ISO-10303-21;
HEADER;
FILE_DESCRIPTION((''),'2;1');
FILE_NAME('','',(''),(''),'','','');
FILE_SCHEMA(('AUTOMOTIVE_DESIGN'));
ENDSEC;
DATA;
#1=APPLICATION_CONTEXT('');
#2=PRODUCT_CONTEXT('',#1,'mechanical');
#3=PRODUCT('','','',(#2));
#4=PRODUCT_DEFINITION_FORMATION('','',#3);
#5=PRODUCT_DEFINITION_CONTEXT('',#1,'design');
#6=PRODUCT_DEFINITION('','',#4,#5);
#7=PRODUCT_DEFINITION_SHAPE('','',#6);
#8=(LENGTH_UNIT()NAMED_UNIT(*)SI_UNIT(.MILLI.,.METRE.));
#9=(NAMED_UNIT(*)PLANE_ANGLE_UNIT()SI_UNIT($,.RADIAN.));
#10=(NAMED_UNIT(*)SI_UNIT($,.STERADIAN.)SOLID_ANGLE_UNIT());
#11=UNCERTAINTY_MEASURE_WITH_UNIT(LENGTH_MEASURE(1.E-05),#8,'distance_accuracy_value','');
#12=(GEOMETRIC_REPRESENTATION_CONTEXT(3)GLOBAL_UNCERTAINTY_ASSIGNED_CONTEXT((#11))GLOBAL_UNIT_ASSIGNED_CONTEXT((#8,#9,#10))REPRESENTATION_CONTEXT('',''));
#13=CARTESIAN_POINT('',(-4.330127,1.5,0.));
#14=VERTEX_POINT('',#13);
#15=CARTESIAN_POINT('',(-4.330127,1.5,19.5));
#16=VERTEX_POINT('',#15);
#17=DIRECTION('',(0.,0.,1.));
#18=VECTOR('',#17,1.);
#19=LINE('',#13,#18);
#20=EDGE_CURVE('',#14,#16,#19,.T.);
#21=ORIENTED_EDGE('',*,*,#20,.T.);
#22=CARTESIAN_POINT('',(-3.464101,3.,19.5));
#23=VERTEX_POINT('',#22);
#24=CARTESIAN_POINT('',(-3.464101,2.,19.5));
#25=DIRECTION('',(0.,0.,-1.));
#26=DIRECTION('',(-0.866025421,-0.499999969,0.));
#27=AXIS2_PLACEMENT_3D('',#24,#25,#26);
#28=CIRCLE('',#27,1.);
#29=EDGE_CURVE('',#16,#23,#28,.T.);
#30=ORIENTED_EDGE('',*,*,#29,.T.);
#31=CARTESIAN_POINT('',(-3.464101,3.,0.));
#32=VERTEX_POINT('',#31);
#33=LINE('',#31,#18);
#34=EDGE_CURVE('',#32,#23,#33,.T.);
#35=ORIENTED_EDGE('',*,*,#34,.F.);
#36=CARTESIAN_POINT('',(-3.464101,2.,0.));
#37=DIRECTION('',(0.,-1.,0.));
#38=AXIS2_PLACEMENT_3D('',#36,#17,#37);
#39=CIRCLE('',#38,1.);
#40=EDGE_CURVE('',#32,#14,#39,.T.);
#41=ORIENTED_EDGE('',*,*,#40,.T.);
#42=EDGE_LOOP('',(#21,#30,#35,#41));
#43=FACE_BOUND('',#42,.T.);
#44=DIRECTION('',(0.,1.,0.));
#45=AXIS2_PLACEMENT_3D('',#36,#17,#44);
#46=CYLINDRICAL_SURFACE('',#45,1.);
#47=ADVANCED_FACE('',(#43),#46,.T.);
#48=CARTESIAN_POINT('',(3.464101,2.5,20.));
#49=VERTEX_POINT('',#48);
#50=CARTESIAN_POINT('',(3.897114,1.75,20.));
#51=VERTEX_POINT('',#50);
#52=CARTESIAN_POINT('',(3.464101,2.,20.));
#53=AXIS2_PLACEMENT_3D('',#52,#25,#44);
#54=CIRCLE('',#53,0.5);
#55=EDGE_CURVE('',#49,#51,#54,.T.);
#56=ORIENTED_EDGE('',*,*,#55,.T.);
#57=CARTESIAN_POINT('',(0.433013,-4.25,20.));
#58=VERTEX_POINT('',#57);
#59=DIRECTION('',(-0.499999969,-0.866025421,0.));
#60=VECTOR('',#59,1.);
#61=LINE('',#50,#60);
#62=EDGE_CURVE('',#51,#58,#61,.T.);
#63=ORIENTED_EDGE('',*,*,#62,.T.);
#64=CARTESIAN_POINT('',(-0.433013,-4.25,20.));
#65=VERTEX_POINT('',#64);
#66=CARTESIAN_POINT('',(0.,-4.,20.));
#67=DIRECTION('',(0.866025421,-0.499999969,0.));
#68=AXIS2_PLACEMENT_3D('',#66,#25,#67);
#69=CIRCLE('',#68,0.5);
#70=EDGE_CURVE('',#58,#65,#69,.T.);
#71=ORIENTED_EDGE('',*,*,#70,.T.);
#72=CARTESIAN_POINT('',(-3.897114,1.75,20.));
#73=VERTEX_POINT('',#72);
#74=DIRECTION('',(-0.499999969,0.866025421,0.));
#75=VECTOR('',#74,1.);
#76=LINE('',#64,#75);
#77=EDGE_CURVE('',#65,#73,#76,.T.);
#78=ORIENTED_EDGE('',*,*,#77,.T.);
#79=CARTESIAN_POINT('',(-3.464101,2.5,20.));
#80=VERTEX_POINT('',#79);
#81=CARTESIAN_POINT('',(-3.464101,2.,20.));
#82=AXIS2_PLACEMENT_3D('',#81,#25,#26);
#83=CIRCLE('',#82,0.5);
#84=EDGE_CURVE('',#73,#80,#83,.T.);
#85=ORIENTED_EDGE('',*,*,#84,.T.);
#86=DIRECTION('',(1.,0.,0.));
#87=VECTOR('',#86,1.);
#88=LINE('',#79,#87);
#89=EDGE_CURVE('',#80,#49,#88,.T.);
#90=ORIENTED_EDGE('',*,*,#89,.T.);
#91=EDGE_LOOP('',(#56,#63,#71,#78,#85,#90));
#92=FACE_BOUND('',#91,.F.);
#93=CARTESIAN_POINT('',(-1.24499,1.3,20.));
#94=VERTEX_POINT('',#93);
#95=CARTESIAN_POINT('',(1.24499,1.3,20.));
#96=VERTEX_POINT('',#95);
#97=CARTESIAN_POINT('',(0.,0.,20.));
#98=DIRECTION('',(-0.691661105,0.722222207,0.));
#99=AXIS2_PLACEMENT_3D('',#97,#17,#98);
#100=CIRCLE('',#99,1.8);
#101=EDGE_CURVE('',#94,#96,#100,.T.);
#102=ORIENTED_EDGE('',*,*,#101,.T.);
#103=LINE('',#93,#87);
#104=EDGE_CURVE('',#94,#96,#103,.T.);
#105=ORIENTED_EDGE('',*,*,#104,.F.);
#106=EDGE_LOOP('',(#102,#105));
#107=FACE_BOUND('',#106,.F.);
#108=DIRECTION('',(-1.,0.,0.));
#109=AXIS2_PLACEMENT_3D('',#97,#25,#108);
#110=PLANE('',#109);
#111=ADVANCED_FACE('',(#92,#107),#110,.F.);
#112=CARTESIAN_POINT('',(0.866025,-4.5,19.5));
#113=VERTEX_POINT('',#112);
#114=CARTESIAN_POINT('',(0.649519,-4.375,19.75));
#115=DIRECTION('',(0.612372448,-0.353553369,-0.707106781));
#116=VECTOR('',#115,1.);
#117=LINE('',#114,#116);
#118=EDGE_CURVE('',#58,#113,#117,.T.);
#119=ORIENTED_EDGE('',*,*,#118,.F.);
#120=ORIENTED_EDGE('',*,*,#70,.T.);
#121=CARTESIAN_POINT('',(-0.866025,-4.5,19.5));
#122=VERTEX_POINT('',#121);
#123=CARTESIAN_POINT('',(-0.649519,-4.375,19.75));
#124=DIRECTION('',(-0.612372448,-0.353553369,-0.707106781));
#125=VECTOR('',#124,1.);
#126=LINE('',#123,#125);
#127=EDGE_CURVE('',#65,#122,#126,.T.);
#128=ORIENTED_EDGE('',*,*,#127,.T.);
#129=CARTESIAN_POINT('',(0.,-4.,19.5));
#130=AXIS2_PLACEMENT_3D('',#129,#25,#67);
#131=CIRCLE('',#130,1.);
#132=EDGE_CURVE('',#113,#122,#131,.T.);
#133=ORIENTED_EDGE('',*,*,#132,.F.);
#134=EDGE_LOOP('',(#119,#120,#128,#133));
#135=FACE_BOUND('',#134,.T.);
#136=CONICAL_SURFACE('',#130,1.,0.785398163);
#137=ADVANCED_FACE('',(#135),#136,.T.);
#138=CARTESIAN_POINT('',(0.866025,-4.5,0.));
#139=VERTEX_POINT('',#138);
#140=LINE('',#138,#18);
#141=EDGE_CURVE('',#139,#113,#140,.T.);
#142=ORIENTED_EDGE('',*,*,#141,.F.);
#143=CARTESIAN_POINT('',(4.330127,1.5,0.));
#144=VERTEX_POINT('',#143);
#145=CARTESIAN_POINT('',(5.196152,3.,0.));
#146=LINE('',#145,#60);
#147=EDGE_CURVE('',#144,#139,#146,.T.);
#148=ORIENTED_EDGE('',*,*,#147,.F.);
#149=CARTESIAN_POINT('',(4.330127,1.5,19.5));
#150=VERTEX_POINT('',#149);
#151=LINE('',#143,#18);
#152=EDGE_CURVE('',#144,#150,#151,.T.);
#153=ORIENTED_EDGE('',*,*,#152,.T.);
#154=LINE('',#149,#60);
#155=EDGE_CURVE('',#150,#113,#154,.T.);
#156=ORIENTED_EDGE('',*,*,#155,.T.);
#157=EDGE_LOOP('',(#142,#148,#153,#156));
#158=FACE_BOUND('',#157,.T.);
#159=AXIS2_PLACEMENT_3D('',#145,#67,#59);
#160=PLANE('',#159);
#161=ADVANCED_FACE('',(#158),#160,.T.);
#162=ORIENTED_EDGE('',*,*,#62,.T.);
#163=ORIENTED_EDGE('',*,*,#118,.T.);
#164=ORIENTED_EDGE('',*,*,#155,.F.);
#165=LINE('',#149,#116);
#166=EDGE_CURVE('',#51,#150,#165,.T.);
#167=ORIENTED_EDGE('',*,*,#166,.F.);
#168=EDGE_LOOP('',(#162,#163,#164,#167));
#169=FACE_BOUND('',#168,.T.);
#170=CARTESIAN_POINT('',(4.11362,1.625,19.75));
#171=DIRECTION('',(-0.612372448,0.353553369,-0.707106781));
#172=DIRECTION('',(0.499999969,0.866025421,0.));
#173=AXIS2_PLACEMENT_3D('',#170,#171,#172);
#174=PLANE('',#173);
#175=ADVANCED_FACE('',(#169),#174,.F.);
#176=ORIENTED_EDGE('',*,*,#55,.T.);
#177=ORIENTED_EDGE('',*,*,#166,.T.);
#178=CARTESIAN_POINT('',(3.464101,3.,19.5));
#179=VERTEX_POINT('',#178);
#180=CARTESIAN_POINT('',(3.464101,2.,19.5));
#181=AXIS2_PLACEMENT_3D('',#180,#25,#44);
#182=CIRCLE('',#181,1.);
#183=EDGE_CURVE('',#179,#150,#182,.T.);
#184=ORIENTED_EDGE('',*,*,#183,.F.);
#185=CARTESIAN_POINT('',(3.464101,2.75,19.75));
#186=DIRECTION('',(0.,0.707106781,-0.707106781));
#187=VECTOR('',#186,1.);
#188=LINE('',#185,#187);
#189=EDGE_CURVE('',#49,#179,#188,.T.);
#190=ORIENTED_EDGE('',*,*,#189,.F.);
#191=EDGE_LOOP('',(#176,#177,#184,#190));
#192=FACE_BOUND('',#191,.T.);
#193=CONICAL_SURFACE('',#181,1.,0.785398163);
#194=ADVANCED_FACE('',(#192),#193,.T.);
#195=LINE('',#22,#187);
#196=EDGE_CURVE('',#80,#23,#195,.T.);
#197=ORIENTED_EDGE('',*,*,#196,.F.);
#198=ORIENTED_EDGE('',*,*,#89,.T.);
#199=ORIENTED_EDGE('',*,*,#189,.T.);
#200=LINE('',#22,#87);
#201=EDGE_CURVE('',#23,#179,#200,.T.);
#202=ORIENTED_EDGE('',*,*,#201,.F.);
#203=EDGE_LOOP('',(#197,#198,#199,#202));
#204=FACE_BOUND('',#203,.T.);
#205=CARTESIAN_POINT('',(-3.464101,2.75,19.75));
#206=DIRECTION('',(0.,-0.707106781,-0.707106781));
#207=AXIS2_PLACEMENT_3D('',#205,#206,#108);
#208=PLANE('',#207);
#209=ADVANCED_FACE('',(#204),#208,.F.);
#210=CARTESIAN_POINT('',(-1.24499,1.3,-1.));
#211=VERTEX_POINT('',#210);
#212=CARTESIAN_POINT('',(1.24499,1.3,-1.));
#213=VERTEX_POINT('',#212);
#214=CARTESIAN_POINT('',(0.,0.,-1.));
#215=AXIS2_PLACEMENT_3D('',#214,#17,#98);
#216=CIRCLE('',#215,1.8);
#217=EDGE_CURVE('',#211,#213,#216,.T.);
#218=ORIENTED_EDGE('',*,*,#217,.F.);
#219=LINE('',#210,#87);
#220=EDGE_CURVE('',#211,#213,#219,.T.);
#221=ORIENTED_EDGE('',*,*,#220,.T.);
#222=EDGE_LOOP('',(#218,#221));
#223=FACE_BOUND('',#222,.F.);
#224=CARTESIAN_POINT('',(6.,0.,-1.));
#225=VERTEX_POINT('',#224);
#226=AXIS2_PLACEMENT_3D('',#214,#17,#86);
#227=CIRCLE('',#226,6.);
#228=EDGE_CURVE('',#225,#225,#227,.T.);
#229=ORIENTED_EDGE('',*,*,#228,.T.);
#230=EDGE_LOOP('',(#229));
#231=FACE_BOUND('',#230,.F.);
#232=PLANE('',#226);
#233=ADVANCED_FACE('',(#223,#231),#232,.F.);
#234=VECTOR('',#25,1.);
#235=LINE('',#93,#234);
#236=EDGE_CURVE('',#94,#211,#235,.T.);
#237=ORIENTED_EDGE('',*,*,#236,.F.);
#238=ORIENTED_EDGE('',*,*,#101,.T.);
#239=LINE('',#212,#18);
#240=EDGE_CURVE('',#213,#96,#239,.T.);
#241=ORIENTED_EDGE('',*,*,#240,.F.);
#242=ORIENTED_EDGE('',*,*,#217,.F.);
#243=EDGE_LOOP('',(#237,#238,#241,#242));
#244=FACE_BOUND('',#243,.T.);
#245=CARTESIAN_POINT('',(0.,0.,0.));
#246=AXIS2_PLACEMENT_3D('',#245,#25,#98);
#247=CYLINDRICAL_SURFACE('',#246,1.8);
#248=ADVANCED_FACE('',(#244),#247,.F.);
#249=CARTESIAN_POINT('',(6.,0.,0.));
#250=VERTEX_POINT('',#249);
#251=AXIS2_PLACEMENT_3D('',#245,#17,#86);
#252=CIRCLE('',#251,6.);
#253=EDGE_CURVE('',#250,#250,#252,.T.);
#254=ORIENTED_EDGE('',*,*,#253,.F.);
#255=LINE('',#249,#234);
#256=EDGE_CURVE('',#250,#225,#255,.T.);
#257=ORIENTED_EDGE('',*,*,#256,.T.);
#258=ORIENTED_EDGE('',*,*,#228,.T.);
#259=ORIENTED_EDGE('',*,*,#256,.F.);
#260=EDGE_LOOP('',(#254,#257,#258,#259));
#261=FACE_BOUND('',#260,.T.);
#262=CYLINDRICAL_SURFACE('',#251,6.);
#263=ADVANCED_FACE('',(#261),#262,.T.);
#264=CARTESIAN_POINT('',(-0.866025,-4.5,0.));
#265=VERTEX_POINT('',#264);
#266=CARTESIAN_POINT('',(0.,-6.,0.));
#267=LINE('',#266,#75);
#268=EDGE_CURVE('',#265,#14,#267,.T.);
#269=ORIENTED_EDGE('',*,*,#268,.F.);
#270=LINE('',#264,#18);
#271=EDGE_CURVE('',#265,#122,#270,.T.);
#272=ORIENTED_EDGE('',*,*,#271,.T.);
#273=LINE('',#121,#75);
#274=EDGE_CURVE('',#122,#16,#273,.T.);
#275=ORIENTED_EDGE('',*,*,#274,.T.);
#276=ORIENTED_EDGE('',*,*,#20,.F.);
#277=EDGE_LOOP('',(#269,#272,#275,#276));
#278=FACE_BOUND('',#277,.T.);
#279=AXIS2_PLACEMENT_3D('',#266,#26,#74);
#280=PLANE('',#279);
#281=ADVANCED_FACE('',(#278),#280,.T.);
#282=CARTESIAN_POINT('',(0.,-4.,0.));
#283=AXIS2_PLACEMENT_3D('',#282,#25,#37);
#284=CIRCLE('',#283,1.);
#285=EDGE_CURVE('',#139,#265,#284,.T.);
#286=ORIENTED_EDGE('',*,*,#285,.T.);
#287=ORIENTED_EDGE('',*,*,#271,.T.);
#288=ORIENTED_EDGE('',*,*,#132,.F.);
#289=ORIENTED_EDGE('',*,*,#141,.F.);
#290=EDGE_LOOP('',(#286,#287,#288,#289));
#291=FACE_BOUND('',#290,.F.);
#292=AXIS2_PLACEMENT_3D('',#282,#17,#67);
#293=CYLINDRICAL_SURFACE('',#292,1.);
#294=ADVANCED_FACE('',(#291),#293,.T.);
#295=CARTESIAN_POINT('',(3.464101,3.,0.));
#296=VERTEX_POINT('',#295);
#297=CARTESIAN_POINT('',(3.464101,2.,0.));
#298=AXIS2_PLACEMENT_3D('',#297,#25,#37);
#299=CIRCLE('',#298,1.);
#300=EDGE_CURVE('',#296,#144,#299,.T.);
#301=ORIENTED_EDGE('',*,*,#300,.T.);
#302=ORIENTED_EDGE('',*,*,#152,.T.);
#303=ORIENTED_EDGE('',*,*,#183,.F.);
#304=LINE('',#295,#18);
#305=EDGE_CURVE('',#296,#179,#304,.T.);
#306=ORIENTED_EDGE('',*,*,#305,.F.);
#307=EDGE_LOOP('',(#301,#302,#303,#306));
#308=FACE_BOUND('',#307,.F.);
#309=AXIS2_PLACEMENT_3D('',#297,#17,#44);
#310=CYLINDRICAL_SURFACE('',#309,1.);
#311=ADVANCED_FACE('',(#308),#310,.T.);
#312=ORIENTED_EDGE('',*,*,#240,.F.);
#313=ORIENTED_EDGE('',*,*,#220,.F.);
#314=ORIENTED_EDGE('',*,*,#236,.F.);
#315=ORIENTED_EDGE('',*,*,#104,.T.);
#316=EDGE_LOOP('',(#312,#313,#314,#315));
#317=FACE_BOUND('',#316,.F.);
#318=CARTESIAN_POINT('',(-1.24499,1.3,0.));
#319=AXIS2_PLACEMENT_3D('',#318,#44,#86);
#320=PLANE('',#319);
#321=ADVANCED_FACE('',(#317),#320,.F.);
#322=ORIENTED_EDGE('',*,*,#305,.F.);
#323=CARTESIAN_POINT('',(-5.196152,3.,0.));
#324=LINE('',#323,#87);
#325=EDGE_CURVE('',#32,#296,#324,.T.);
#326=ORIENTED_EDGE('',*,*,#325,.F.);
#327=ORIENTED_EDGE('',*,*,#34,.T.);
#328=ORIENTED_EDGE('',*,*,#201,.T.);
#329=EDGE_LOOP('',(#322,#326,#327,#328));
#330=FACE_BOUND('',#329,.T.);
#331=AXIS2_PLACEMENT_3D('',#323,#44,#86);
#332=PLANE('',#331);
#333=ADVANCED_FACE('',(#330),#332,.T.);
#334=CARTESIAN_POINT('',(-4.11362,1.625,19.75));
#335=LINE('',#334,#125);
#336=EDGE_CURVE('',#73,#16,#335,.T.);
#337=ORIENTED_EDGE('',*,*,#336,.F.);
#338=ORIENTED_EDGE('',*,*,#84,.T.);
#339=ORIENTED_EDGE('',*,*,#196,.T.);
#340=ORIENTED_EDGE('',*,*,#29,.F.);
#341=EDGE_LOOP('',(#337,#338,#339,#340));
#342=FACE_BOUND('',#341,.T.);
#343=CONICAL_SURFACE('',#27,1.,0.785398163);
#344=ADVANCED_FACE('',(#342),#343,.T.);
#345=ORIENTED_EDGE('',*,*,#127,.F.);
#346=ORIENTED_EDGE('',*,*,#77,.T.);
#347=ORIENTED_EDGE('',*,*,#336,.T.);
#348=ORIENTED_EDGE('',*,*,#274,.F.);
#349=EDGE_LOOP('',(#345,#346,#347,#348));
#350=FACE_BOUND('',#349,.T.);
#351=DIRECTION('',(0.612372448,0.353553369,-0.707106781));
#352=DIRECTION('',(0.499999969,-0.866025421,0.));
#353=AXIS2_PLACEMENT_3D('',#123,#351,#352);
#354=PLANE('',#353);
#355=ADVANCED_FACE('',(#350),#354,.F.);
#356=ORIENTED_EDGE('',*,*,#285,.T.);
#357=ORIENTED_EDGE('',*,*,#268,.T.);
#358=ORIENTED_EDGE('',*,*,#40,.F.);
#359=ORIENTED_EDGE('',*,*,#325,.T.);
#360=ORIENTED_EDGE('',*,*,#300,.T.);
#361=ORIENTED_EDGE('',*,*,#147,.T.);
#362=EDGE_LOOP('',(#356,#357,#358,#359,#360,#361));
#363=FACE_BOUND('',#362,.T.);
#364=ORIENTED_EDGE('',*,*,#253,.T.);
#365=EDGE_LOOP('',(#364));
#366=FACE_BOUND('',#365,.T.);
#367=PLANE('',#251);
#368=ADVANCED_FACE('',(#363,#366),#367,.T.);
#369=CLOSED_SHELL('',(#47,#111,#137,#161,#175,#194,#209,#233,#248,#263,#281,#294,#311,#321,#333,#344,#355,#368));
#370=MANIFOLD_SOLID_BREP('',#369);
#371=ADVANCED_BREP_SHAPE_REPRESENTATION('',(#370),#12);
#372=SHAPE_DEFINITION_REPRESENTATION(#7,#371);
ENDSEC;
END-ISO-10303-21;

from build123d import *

# Parameters (mm, degrees)
SKETCH_R     = 6
PAD_DEPTH    = 1
PAD001_DEPTH = 20
FILLET_R     = 1
CHAMFER_SIZE = 0.5


with BuildPart() as part:
    # Sketch → Pad (new body)
    with BuildSketch(Plane.XY):
        Circle(SKETCH_R)
        with BuildLine():
            ThreePointArc((-1.24499, 1.3), (0, -1.8), (1.24499, 1.3))
            Line((-1.24499, 1.3), (1.24499, 1.3))
        make_face(mode=Mode.SUBTRACT)
    extrude(amount=-PAD_DEPTH)

    # Sketch001 → Pad001 (join)
    with BuildSketch(Plane.XY):
        Polygon((-5.196152, 3), (5.196152, 3), (0, -6), align=None)
        with BuildLine():
            ThreePointArc((-1.24499, 1.3), (0, -1.8), (1.24499, 1.3))
            Line((-1.24499, 1.3), (1.24499, 1.3))
        make_face(mode=Mode.SUBTRACT)
    extrude(amount=PAD001_DEPTH)

    # Fillet
    fillet_edges = [part.edges().sort_by_distance(p)[0] for p in [
        (0, -6, 10),
        (5.196152, 3, 10),
        (-5.196152, 3, 10),
    ]]
    fillet(fillet_edges, radius=FILLET_R)

    # Chamfer
    chamfer_edges = [part.edges().sort_by_distance(p)[0] for p in [
        (-2.598076, -1.5, 20),
    ]]
    chamfer(chamfer_edges, length=CHAMFER_SIZE)


solid = part.part
